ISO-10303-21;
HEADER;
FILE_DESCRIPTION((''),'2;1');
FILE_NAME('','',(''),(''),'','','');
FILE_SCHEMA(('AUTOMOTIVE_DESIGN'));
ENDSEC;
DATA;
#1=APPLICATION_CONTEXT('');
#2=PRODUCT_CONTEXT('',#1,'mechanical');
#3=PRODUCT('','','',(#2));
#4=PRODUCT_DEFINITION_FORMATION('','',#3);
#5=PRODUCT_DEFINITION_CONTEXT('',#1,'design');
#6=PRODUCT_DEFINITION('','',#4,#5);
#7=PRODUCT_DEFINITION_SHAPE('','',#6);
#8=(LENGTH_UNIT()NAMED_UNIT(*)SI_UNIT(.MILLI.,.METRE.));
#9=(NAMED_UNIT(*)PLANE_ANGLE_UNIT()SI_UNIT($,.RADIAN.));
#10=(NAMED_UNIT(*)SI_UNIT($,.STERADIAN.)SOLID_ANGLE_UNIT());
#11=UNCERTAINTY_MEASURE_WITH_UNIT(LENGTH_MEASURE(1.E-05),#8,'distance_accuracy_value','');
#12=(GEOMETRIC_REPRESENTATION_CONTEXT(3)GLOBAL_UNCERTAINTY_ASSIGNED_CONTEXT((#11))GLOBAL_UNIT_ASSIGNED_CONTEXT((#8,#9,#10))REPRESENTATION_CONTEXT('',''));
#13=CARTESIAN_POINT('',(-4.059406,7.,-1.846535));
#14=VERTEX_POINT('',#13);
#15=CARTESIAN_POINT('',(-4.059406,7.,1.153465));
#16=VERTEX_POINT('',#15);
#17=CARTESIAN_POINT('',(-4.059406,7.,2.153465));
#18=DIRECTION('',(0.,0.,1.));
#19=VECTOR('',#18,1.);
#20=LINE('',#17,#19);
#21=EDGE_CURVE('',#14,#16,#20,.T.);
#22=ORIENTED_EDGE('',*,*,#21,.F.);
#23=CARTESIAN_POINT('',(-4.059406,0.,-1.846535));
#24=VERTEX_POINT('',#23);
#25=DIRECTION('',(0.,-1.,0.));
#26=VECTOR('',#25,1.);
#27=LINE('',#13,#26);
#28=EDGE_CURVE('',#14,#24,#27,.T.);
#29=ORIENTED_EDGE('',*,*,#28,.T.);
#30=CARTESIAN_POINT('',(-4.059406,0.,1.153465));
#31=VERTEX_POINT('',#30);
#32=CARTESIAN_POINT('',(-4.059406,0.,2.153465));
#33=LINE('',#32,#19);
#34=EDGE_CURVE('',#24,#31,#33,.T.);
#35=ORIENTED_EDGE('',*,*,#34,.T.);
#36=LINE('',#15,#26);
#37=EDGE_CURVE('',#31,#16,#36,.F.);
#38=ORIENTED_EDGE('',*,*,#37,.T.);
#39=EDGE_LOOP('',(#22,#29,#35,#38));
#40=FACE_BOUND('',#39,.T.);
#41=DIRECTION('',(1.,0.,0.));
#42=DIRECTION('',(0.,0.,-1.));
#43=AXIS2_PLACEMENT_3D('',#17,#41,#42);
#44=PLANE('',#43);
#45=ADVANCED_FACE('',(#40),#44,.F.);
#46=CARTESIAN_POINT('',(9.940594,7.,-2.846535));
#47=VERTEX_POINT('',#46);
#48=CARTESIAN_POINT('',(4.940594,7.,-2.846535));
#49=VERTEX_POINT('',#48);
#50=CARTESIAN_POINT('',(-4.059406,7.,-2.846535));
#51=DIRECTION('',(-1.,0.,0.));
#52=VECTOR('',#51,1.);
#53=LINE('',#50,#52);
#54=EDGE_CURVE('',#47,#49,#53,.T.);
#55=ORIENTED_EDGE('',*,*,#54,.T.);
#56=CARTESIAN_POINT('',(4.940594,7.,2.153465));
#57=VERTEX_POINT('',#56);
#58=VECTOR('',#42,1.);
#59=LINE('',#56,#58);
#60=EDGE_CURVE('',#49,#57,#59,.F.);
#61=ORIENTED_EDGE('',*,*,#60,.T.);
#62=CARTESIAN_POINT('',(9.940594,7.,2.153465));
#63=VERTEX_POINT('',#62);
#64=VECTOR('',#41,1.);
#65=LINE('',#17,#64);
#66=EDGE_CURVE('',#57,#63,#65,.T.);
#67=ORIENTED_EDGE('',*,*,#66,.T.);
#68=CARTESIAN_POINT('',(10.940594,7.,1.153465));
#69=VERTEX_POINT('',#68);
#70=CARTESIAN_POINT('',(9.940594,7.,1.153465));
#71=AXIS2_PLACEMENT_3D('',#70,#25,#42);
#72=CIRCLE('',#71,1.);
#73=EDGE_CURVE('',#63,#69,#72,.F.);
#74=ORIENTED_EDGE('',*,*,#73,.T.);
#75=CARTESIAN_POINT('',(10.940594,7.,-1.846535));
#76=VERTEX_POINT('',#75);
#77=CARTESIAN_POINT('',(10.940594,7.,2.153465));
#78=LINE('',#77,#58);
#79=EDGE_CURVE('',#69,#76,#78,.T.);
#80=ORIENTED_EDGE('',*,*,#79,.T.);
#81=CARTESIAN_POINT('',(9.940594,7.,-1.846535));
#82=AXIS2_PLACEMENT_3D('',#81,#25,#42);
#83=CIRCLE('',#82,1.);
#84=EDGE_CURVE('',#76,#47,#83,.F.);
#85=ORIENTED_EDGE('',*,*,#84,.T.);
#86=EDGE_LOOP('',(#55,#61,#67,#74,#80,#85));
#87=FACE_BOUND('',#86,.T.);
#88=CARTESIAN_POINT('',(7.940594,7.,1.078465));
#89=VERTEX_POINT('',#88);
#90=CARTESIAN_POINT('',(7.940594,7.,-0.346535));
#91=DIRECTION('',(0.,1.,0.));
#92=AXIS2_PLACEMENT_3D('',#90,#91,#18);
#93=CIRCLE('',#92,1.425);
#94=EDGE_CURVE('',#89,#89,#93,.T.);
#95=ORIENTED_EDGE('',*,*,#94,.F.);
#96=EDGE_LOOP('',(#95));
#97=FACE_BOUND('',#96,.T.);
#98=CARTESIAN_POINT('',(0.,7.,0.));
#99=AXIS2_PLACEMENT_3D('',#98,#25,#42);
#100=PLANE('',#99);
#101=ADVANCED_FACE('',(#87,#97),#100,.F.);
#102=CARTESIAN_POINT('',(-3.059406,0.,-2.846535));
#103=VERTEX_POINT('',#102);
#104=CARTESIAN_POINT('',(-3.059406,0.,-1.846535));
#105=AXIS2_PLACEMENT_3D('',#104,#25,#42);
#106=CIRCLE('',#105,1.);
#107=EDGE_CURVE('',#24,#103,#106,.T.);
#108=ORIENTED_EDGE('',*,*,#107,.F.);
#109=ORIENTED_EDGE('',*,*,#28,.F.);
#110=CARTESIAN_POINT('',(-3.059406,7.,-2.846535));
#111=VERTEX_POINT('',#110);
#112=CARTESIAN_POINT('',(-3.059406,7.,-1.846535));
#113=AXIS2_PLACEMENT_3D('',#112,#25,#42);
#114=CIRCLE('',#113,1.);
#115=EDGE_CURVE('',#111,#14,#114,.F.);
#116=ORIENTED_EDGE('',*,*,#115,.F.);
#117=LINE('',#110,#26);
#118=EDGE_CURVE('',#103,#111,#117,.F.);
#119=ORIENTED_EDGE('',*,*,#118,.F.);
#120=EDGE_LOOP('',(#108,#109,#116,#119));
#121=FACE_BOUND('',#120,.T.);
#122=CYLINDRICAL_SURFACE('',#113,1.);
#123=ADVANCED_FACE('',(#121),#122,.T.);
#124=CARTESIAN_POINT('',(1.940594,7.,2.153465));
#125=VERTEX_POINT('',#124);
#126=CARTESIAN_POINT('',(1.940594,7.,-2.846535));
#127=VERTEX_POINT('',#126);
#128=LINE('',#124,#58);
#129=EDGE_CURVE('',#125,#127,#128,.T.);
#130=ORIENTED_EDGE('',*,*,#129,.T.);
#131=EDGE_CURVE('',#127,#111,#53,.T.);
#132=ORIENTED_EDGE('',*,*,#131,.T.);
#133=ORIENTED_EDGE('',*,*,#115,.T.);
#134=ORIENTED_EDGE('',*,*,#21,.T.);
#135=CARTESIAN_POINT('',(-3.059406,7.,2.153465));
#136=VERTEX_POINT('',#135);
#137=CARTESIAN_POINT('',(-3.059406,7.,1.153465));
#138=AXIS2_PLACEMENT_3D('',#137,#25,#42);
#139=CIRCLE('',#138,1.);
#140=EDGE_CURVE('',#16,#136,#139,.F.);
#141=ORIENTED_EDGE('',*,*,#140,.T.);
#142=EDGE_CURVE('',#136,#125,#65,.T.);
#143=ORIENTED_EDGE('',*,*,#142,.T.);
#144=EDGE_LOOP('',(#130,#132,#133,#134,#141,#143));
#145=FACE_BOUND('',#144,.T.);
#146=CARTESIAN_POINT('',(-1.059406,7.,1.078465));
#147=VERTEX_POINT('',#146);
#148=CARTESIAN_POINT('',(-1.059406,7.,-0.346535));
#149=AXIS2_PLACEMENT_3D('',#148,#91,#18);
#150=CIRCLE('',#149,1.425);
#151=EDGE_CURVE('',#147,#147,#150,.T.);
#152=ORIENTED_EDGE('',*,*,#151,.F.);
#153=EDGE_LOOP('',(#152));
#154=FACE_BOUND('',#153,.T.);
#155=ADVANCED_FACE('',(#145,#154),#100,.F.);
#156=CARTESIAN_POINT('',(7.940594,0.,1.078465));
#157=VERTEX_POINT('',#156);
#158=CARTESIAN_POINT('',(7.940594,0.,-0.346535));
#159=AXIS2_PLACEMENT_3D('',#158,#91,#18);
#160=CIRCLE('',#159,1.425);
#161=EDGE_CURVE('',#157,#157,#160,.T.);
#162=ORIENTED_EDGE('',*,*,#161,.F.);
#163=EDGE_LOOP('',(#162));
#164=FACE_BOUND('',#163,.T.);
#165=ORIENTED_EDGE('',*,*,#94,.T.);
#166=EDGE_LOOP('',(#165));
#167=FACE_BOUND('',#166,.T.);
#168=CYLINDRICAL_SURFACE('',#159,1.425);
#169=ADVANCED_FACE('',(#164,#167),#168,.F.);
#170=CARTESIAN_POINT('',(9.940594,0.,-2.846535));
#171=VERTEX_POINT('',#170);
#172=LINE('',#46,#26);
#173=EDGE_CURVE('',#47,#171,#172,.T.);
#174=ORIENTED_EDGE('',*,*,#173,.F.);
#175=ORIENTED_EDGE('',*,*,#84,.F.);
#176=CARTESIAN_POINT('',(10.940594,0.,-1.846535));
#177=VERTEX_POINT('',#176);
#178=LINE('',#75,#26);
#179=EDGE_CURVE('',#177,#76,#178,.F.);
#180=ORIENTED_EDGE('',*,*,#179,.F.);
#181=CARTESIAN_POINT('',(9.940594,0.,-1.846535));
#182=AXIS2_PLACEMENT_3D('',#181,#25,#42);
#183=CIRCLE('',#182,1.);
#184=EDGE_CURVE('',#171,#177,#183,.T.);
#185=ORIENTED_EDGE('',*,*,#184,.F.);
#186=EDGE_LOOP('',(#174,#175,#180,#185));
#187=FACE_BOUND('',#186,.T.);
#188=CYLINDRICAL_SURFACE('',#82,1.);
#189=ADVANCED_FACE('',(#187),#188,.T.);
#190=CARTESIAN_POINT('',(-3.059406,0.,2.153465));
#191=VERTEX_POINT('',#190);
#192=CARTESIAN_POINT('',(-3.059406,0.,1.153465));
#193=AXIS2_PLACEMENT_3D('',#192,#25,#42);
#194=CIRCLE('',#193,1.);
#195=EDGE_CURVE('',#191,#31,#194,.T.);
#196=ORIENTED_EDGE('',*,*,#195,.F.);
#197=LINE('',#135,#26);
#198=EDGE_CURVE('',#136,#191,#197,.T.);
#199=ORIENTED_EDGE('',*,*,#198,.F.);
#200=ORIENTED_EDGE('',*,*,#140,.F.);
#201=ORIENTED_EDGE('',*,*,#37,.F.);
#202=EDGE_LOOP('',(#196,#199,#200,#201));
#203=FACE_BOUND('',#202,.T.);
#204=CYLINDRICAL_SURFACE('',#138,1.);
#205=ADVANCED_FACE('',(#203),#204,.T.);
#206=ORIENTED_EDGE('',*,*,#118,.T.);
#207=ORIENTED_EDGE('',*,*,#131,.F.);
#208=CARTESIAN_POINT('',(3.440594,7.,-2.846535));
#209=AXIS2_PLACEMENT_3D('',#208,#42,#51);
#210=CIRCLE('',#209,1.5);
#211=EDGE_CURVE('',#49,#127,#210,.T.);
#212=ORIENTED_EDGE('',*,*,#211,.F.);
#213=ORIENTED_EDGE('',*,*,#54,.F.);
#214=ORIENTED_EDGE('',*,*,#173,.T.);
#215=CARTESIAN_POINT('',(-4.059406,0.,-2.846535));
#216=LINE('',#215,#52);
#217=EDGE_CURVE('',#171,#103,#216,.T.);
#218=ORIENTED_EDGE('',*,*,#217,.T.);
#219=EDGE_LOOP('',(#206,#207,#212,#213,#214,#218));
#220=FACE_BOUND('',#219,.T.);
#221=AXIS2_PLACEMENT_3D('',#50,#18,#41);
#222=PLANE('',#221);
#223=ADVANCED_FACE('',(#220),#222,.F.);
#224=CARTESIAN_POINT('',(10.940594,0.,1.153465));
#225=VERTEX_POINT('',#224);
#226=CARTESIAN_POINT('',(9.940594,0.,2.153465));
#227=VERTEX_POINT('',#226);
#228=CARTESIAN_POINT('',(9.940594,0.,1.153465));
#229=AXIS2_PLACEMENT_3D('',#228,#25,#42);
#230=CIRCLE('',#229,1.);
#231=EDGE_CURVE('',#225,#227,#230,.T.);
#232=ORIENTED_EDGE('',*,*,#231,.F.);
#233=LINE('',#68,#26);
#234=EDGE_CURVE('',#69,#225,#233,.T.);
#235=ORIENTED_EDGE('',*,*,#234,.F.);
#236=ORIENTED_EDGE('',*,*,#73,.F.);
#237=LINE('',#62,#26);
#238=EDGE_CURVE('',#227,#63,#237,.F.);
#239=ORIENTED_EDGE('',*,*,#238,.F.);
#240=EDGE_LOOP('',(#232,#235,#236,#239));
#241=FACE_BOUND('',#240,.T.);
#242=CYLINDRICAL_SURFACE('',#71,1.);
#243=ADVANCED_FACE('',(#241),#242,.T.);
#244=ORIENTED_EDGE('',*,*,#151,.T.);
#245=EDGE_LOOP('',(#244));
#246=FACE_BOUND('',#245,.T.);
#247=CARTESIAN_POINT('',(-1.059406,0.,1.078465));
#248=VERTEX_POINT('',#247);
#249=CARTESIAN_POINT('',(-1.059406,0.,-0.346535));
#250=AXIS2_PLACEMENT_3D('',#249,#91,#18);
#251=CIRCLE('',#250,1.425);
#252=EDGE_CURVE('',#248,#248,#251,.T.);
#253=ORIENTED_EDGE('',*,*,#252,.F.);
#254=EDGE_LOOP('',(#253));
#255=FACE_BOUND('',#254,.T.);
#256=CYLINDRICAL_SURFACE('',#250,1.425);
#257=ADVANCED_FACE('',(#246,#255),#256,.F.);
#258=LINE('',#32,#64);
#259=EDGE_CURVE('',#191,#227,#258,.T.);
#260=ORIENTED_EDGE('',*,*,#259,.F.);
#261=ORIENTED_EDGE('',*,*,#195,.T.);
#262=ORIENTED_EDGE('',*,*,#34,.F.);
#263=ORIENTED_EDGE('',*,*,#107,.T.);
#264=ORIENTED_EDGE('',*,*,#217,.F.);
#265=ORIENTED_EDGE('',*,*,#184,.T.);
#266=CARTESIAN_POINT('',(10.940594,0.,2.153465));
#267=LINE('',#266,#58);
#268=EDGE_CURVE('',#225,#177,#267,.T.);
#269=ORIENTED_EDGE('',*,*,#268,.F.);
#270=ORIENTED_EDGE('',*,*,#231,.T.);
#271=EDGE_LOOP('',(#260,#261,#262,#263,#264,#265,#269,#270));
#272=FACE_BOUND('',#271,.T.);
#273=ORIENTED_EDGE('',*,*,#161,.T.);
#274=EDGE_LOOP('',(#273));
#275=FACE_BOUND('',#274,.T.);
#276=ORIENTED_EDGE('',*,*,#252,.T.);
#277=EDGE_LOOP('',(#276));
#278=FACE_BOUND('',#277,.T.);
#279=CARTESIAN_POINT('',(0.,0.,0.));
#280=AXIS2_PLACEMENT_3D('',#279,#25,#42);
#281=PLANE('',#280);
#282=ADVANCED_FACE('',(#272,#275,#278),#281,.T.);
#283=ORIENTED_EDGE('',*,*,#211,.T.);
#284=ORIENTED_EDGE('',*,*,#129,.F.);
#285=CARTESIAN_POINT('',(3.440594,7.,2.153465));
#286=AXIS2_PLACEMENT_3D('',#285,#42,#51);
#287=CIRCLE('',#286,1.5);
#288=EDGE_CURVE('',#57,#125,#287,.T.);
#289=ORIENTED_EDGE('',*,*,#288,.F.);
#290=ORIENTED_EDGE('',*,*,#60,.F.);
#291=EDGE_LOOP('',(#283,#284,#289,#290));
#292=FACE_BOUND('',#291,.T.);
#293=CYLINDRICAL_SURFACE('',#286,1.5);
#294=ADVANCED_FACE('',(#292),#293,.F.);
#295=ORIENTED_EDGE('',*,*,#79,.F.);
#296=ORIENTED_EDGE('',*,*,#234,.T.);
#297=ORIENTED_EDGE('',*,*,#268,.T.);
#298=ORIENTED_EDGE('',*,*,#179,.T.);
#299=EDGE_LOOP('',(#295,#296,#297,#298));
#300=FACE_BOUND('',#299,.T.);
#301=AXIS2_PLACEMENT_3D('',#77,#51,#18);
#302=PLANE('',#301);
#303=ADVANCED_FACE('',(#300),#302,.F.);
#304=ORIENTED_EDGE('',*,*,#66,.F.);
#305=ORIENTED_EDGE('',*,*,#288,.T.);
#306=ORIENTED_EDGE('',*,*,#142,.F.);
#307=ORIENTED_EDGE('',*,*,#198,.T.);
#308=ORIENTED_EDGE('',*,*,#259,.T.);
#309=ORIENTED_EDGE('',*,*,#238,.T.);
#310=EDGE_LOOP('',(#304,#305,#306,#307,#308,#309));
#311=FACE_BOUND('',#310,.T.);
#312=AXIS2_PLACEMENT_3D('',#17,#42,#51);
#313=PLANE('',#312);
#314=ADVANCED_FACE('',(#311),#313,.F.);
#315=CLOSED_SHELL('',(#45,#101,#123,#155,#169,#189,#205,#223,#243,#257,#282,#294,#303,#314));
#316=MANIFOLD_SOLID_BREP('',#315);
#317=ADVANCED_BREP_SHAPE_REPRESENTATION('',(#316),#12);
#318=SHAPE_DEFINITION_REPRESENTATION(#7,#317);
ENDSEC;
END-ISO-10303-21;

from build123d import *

# Parameters (mm, degrees)
SKETCH1_W           = 15
SKETCH1_H           = 5
BOSS_EXTRUDE1_DEPTH = 7
SKETCH2_R           = 1.5
CUT_EXTRUDE1_DEPTH  = 14.917492532
SKETCH3_R           = 1.425
CUT_EXTRUDE2_DEPTH  = 14.296591966
FILLET1_R           = 1


with BuildPart() as part:
    # Sketch1 → Boss-Extrude1 (new body)
    with BuildSketch(Plane(origin=(0, 0, 0), x_dir=(1, 0, 0), z_dir=(0, 1, 0))):
        with Locations((3.440594059, 0.346534653)):
            Rectangle(SKETCH1_W, SKETCH1_H)
    extrude(amount=BOSS_EXTRUDE1_DEPTH)

    # Sketch2 → Cut-Extrude1 (cut, through all)
    with BuildSketch(Plane(origin=(0, 0, -2.846534653), x_dir=(-1, 0, 0), z_dir=(0, 0, -1))):
        with Locations((-3.440594059, 7)):
            Circle(SKETCH2_R)
    extrude(amount=-CUT_EXTRUDE1_DEPTH, mode=Mode.SUBTRACT)

    # Sketch3 → Cut-Extrude2 (cut, through all)
    with BuildSketch(Plane(origin=(0, 7, 0), x_dir=(1, 0, 0), z_dir=(0, 1, 0))):
        with Locations(Location((7.940594059, 0.346534653, 0), (0, 0, 270))):
            Circle(SKETCH3_R)
        with Locations(Location((-1.059405941, 0.346534653, 0), (0, 0, 270))):
            Circle(SKETCH3_R)
    extrude(amount=-CUT_EXTRUDE2_DEPTH, mode=Mode.SUBTRACT)

    # Fillet1
    fillet1_edges = [part.edges().sort_by_distance(p)[0] for p in [
        (-4.059405941, 3.5, -2.846534653),
        (10.940594059, 3.5, -2.846534653),
        (10.940594059, 3.5, 2.153465347),
        (-4.059405941, 3.5, 2.153465347),
    ]]
    fillet(fillet1_edges, radius=FILLET1_R)


solid = part.part
